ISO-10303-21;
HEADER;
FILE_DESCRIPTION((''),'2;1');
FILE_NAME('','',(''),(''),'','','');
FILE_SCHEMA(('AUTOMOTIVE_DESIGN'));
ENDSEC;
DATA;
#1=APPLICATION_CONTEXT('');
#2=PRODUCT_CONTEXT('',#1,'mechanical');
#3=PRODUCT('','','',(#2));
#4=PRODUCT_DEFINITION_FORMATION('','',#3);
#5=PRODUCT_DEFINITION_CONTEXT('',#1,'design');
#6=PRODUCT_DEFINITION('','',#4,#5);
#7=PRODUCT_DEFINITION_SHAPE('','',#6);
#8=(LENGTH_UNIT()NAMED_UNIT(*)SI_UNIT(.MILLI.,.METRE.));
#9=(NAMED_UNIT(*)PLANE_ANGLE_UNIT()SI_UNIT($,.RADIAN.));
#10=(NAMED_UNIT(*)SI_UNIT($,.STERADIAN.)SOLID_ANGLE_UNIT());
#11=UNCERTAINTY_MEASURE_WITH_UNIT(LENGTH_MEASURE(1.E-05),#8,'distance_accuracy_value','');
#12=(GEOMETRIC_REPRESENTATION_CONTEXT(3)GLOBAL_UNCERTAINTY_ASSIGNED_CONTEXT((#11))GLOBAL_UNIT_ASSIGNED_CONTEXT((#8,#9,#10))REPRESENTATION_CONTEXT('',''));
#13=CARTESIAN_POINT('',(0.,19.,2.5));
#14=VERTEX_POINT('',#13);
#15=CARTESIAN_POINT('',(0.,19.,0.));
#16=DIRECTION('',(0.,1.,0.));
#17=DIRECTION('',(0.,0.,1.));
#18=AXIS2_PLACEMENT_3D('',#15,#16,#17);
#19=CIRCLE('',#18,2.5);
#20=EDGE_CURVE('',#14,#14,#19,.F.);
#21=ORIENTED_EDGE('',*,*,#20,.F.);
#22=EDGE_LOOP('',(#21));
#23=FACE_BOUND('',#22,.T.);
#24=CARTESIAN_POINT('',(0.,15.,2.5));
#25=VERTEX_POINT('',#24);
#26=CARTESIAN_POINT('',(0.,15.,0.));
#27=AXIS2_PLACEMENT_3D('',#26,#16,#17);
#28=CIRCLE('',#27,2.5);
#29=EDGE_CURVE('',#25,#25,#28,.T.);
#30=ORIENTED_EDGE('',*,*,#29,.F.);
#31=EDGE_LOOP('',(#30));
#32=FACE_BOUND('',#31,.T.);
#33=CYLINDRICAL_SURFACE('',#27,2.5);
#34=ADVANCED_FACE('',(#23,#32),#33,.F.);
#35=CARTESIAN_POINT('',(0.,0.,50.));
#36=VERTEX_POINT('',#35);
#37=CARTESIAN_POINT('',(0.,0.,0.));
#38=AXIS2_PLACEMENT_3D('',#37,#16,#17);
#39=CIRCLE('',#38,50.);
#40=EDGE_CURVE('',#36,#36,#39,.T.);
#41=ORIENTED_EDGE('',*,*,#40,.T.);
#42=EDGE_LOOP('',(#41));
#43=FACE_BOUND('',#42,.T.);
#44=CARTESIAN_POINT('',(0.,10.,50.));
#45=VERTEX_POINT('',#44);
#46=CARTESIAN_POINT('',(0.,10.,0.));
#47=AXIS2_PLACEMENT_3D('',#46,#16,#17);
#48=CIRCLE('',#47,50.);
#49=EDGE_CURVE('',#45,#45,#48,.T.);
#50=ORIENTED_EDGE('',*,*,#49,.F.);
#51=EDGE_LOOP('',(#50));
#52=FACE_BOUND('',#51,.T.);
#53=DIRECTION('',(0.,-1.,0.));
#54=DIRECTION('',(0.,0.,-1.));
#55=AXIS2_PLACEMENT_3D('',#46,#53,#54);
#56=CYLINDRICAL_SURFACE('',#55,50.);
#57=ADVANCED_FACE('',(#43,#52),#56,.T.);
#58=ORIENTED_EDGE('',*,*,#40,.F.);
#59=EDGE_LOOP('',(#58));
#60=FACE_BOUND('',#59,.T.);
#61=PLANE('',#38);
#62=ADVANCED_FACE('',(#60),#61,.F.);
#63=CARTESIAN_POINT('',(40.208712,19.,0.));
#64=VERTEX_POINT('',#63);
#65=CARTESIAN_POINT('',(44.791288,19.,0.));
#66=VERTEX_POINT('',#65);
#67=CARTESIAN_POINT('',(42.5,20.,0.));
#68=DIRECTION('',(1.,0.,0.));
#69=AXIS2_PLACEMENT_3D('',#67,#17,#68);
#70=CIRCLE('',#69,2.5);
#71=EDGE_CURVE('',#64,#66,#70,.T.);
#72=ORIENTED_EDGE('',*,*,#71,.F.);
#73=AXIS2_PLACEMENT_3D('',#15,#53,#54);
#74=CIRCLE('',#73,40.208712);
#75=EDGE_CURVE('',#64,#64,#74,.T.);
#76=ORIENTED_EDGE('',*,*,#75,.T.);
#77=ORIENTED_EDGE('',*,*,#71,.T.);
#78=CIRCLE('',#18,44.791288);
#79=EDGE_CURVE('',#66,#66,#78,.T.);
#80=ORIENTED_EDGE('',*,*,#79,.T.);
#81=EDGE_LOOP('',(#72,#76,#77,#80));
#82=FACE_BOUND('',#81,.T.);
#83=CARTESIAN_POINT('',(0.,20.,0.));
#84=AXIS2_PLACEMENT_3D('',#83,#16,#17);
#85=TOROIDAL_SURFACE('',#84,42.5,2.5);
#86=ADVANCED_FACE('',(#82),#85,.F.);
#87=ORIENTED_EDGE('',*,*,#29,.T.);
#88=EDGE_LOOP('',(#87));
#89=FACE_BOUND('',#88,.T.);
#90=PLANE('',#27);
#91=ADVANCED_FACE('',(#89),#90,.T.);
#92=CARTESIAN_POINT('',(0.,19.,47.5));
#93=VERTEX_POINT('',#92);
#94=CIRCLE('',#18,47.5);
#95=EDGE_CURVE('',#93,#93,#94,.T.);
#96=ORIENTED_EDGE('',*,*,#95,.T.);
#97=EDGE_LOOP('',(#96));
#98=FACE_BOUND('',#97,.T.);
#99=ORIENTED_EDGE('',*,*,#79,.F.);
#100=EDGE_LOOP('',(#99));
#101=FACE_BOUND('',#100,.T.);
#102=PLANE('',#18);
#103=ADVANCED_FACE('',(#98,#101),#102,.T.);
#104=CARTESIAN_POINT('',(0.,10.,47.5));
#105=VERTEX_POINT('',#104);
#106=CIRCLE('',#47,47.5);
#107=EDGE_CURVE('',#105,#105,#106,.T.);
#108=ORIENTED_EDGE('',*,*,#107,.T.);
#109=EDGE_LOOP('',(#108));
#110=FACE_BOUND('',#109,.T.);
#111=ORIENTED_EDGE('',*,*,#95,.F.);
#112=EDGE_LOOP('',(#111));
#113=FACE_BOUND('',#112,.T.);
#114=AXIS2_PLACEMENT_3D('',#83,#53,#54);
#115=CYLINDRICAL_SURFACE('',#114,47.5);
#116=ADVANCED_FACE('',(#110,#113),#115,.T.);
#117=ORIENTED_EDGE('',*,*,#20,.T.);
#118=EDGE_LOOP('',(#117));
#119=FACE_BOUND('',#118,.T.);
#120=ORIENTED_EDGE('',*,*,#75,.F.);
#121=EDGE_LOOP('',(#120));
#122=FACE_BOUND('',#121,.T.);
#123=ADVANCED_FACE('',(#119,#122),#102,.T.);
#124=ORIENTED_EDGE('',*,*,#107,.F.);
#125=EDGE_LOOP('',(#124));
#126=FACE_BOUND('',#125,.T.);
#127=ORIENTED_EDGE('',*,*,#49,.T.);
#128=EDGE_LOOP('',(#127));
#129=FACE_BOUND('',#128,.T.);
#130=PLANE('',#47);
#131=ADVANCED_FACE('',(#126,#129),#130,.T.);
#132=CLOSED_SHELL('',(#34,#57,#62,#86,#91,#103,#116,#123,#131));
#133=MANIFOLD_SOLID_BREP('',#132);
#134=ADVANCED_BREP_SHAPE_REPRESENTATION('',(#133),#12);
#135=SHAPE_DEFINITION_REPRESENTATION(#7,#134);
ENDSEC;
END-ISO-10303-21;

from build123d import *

# Parameters (mm, degrees)
SKETCH1_R           = 50
BOSS_EXTRUDE1_DEPTH = 10
SKETCH3_R           = 47.5
BOSS_EXTRUDE2_DEPTH = 10
SKETCH5_R           = 2.5
SKETCH6_R           = 2.5
CUT_EXTRUDE1_DEPTH  = 5
CUT_EXTRUDE2_START  = -1
SKETCH7_R           = 47.5
CUT_EXTRUDE2_DEPTH  = 1


with BuildPart() as part:
    # Sketch1 → Boss-Extrude1 (new body)
    with BuildSketch(Plane(origin=(0, 0, 0), x_dir=(1, 0, 0), z_dir=(0, 1, 0))):
        with Locations(Location((0, 0, 0), (0, 0, 270))):
            Circle(SKETCH1_R)
    extrude(amount=BOSS_EXTRUDE1_DEPTH)

    # Sketch3 → Boss-Extrude2 (add)
    with BuildSketch(Plane(origin=(0, 10, 0), x_dir=(1, 0, 0), z_dir=(0, 1, 0))):
        with Locations(Location((0, 0, 0), (0, 0, 270))):
            Circle(SKETCH3_R)
    extrude(amount=BOSS_EXTRUDE2_DEPTH)

    # Cut-Sweep1: sweep along a path in Sketch4
    with BuildLine(Plane(origin=(0, 20, 0), x_dir=(1, 0, 0), z_dir=(0, 1, 0))) as cut_sweep1_path:
        CenterArc((0, 0), 42.5, 0, 360)
    # Sketch5 → Cut-Sweep1 (sweep, cut)
    with BuildSketch(Plane.XY):
        with Locations((42.5, 20)):
            Circle(SKETCH5_R)
    sweep(path=cut_sweep1_path.line, mode=Mode.SUBTRACT)

    # Sketch6 → Cut-Extrude1 (cut)
    with BuildSketch(Plane(origin=(0, 20, 0), x_dir=(1, 0, 0), z_dir=(0, 1, 0))):
        with Locations(Location((0, 0, 0), (0, 0, 270))):
            Circle(SKETCH6_R)
    extrude(amount=-CUT_EXTRUDE1_DEPTH, mode=Mode.SUBTRACT)

    # Sketch7 → Cut-Extrude2 (cut)
    with BuildSketch(Plane(origin=(0, 20, 0), x_dir=(1, 0, 0), z_dir=(0, 1, 0)).offset(CUT_EXTRUDE2_START)):
        with Locations(Location((0, 0, 0), (0, 0, 270))):
            Circle(SKETCH7_R)
    extrude(amount=CUT_EXTRUDE2_DEPTH, mode=Mode.SUBTRACT)


solid = part.part
